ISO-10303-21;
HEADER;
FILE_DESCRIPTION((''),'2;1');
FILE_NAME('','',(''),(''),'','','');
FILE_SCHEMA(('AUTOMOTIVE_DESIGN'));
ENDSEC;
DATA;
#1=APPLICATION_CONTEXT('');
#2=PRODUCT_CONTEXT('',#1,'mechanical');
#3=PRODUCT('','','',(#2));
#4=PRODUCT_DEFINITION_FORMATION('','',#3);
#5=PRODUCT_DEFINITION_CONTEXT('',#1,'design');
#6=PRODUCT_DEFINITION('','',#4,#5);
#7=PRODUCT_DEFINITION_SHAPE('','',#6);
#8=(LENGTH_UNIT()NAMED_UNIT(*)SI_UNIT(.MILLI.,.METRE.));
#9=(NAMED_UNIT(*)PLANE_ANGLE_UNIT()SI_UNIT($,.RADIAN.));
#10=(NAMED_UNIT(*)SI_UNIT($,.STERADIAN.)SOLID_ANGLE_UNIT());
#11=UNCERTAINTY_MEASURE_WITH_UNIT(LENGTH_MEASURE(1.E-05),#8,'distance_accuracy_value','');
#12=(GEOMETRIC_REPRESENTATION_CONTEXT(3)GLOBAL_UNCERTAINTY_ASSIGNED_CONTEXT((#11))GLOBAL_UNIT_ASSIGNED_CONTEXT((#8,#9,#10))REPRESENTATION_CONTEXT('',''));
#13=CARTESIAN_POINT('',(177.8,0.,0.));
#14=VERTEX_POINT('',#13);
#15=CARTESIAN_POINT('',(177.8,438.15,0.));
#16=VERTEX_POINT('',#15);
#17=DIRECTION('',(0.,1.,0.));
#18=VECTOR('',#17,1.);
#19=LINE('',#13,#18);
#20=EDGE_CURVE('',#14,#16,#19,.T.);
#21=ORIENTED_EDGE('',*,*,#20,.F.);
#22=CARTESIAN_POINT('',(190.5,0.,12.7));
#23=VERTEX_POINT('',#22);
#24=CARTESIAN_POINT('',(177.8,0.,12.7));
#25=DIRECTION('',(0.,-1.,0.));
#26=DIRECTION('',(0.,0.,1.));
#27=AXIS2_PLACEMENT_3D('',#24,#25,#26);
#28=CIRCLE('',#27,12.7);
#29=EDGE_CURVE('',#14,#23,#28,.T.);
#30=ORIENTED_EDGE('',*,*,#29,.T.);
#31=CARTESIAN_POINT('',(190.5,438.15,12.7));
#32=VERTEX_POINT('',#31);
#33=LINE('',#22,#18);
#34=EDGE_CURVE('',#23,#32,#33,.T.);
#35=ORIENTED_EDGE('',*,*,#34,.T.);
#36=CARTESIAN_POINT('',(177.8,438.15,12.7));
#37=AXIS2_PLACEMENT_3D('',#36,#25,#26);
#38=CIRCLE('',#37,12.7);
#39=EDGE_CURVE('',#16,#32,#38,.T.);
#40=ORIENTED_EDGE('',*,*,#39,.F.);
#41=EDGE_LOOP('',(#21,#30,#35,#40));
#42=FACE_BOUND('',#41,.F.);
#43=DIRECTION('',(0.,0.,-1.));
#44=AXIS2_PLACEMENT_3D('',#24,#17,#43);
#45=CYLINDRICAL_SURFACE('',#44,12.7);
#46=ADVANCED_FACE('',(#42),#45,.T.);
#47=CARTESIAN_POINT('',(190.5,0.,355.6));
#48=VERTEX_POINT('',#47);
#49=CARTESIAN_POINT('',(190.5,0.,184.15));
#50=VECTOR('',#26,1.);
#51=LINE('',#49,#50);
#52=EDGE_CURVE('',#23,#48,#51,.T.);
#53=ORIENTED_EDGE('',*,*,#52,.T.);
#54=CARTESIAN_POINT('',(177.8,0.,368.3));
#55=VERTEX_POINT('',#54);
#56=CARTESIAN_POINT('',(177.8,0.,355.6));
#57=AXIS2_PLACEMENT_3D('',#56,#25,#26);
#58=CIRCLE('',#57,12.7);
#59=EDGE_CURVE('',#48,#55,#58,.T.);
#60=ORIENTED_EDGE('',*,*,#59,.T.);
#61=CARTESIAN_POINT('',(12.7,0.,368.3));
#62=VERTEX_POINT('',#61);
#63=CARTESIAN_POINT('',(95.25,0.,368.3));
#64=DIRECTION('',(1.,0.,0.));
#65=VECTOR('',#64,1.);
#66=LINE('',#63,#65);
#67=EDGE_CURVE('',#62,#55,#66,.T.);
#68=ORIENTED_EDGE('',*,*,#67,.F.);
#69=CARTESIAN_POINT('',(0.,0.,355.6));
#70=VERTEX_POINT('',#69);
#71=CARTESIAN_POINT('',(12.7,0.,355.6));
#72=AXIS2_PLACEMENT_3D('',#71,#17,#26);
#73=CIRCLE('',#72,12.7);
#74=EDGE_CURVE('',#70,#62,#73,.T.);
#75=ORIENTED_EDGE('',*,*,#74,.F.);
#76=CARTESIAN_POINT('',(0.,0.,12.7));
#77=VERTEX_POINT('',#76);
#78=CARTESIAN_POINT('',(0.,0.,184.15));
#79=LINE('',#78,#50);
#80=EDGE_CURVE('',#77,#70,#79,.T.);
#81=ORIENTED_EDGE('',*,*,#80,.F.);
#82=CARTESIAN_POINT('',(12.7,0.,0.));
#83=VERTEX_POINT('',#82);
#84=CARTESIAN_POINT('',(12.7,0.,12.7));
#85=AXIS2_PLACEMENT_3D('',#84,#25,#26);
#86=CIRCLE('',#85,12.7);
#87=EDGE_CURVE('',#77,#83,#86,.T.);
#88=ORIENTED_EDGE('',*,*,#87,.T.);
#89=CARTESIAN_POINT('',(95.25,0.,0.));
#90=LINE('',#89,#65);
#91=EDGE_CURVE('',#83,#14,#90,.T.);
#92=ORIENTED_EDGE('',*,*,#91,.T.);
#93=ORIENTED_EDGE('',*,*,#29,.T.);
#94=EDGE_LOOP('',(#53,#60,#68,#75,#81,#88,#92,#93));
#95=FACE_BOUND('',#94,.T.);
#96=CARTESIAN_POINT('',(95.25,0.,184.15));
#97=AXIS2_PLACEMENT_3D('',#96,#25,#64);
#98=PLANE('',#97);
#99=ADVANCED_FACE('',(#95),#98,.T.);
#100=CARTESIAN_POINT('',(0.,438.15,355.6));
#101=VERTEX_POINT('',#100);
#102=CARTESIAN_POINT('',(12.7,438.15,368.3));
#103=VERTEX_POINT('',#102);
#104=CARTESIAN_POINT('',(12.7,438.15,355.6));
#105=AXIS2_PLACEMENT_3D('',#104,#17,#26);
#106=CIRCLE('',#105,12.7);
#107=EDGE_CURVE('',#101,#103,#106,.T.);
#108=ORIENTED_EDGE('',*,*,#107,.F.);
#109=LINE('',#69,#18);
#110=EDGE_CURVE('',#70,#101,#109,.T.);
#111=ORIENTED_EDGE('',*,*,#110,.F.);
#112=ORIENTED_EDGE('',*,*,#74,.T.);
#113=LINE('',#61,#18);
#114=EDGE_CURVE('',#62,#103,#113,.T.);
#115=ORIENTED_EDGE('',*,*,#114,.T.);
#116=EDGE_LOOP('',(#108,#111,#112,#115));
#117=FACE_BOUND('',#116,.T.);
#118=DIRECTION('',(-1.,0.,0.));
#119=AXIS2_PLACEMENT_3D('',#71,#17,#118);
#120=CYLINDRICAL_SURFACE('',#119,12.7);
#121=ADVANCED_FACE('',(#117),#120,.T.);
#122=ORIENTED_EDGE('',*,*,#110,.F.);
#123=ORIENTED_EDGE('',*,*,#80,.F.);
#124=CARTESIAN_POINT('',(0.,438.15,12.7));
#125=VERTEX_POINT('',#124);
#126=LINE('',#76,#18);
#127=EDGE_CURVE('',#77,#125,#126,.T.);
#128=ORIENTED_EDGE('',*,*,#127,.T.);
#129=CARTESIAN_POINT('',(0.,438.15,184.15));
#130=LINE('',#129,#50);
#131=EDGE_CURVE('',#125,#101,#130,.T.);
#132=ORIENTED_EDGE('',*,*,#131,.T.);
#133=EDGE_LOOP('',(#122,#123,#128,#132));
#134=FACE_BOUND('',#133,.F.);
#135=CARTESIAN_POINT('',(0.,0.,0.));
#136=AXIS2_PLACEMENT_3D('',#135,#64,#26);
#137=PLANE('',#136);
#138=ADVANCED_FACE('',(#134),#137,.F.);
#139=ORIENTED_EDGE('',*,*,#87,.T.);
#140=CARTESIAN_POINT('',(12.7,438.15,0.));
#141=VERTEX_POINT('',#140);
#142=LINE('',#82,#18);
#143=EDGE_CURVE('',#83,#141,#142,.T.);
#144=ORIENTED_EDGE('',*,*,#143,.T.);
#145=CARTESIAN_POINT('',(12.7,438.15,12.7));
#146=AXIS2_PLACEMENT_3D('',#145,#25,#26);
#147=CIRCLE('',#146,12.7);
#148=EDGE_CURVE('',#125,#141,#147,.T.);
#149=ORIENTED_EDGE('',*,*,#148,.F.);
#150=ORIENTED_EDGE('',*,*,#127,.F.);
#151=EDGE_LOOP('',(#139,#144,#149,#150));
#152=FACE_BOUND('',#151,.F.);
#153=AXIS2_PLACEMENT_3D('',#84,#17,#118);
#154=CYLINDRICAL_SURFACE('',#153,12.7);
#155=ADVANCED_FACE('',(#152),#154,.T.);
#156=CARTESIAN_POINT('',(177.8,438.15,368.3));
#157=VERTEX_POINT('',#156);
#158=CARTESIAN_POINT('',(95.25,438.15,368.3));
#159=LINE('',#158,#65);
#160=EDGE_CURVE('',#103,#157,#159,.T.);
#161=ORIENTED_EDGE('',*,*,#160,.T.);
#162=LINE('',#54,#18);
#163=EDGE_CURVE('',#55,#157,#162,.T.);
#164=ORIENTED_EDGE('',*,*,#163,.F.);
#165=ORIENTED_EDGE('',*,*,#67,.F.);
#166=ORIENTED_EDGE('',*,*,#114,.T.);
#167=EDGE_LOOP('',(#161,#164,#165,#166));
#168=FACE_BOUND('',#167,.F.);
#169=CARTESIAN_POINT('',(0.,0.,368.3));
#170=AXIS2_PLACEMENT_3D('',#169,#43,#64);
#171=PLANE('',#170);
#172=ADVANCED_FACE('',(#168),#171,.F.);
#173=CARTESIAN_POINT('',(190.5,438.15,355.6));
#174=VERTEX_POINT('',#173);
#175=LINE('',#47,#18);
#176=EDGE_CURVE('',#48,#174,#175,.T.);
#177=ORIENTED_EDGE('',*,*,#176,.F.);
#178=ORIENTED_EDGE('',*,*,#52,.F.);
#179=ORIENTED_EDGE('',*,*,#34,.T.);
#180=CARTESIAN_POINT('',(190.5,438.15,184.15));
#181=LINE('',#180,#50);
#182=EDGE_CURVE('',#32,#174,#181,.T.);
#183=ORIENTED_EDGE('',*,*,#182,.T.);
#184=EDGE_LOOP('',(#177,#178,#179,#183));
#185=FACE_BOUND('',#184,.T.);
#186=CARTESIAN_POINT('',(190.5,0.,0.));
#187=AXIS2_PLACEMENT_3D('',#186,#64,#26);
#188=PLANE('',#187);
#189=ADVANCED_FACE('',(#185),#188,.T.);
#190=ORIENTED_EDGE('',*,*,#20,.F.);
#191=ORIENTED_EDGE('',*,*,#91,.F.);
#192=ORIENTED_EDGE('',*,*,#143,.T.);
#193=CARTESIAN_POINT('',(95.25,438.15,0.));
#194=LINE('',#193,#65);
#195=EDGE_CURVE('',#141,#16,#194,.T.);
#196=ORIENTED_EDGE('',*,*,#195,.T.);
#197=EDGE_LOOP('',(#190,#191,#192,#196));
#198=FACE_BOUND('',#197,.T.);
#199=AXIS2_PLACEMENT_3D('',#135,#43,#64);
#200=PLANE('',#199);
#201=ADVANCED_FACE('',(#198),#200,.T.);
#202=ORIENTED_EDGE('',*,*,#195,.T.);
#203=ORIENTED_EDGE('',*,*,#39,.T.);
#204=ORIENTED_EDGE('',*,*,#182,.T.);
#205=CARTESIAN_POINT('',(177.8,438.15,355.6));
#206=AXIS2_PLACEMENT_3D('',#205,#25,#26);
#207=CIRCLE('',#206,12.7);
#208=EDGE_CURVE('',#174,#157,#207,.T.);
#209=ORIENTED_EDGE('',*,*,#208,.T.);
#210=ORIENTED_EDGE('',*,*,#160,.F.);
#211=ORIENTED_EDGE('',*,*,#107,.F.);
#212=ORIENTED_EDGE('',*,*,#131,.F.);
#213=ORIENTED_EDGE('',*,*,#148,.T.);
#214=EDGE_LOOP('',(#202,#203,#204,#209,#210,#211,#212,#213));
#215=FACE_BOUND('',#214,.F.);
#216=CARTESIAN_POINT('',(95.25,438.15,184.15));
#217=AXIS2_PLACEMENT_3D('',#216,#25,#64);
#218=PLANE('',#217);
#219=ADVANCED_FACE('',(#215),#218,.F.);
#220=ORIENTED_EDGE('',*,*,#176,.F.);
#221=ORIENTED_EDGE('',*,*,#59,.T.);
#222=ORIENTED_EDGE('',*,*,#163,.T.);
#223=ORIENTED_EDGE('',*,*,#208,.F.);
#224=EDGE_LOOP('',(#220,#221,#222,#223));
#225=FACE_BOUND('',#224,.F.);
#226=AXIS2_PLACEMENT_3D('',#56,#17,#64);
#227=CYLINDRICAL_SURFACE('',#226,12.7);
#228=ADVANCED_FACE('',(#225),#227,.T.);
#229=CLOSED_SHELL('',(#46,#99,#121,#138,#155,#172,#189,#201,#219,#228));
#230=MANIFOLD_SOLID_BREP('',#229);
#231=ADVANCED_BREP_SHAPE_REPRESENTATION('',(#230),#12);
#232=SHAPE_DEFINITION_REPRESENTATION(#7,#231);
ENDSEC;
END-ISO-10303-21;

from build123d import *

# Parameters (mm, degrees)
F0_W     = 190.5
F0_H     = 368.3
F1_DEPTH = 438.15
F2_R     = 12.7


with BuildPart() as f1:
    # F0 (on Front) → F1 (new body)
    with BuildSketch(Plane.XZ):
        with Locations((95.25, 184.15)):
            Rectangle(F0_W, F0_H)
    extrude(amount=-F1_DEPTH)

    # F2
    f2_edges = [f1.edges().sort_by_distance(p)[0] for p in [
        (0, 219.075, 368.3),
        (190.5, 219.075, 368.3),
        (190.5, 219.075, 0),
        (0, 219.075, 0),
    ]]
    fillet(f2_edges, radius=F2_R)


solid = f1.part
